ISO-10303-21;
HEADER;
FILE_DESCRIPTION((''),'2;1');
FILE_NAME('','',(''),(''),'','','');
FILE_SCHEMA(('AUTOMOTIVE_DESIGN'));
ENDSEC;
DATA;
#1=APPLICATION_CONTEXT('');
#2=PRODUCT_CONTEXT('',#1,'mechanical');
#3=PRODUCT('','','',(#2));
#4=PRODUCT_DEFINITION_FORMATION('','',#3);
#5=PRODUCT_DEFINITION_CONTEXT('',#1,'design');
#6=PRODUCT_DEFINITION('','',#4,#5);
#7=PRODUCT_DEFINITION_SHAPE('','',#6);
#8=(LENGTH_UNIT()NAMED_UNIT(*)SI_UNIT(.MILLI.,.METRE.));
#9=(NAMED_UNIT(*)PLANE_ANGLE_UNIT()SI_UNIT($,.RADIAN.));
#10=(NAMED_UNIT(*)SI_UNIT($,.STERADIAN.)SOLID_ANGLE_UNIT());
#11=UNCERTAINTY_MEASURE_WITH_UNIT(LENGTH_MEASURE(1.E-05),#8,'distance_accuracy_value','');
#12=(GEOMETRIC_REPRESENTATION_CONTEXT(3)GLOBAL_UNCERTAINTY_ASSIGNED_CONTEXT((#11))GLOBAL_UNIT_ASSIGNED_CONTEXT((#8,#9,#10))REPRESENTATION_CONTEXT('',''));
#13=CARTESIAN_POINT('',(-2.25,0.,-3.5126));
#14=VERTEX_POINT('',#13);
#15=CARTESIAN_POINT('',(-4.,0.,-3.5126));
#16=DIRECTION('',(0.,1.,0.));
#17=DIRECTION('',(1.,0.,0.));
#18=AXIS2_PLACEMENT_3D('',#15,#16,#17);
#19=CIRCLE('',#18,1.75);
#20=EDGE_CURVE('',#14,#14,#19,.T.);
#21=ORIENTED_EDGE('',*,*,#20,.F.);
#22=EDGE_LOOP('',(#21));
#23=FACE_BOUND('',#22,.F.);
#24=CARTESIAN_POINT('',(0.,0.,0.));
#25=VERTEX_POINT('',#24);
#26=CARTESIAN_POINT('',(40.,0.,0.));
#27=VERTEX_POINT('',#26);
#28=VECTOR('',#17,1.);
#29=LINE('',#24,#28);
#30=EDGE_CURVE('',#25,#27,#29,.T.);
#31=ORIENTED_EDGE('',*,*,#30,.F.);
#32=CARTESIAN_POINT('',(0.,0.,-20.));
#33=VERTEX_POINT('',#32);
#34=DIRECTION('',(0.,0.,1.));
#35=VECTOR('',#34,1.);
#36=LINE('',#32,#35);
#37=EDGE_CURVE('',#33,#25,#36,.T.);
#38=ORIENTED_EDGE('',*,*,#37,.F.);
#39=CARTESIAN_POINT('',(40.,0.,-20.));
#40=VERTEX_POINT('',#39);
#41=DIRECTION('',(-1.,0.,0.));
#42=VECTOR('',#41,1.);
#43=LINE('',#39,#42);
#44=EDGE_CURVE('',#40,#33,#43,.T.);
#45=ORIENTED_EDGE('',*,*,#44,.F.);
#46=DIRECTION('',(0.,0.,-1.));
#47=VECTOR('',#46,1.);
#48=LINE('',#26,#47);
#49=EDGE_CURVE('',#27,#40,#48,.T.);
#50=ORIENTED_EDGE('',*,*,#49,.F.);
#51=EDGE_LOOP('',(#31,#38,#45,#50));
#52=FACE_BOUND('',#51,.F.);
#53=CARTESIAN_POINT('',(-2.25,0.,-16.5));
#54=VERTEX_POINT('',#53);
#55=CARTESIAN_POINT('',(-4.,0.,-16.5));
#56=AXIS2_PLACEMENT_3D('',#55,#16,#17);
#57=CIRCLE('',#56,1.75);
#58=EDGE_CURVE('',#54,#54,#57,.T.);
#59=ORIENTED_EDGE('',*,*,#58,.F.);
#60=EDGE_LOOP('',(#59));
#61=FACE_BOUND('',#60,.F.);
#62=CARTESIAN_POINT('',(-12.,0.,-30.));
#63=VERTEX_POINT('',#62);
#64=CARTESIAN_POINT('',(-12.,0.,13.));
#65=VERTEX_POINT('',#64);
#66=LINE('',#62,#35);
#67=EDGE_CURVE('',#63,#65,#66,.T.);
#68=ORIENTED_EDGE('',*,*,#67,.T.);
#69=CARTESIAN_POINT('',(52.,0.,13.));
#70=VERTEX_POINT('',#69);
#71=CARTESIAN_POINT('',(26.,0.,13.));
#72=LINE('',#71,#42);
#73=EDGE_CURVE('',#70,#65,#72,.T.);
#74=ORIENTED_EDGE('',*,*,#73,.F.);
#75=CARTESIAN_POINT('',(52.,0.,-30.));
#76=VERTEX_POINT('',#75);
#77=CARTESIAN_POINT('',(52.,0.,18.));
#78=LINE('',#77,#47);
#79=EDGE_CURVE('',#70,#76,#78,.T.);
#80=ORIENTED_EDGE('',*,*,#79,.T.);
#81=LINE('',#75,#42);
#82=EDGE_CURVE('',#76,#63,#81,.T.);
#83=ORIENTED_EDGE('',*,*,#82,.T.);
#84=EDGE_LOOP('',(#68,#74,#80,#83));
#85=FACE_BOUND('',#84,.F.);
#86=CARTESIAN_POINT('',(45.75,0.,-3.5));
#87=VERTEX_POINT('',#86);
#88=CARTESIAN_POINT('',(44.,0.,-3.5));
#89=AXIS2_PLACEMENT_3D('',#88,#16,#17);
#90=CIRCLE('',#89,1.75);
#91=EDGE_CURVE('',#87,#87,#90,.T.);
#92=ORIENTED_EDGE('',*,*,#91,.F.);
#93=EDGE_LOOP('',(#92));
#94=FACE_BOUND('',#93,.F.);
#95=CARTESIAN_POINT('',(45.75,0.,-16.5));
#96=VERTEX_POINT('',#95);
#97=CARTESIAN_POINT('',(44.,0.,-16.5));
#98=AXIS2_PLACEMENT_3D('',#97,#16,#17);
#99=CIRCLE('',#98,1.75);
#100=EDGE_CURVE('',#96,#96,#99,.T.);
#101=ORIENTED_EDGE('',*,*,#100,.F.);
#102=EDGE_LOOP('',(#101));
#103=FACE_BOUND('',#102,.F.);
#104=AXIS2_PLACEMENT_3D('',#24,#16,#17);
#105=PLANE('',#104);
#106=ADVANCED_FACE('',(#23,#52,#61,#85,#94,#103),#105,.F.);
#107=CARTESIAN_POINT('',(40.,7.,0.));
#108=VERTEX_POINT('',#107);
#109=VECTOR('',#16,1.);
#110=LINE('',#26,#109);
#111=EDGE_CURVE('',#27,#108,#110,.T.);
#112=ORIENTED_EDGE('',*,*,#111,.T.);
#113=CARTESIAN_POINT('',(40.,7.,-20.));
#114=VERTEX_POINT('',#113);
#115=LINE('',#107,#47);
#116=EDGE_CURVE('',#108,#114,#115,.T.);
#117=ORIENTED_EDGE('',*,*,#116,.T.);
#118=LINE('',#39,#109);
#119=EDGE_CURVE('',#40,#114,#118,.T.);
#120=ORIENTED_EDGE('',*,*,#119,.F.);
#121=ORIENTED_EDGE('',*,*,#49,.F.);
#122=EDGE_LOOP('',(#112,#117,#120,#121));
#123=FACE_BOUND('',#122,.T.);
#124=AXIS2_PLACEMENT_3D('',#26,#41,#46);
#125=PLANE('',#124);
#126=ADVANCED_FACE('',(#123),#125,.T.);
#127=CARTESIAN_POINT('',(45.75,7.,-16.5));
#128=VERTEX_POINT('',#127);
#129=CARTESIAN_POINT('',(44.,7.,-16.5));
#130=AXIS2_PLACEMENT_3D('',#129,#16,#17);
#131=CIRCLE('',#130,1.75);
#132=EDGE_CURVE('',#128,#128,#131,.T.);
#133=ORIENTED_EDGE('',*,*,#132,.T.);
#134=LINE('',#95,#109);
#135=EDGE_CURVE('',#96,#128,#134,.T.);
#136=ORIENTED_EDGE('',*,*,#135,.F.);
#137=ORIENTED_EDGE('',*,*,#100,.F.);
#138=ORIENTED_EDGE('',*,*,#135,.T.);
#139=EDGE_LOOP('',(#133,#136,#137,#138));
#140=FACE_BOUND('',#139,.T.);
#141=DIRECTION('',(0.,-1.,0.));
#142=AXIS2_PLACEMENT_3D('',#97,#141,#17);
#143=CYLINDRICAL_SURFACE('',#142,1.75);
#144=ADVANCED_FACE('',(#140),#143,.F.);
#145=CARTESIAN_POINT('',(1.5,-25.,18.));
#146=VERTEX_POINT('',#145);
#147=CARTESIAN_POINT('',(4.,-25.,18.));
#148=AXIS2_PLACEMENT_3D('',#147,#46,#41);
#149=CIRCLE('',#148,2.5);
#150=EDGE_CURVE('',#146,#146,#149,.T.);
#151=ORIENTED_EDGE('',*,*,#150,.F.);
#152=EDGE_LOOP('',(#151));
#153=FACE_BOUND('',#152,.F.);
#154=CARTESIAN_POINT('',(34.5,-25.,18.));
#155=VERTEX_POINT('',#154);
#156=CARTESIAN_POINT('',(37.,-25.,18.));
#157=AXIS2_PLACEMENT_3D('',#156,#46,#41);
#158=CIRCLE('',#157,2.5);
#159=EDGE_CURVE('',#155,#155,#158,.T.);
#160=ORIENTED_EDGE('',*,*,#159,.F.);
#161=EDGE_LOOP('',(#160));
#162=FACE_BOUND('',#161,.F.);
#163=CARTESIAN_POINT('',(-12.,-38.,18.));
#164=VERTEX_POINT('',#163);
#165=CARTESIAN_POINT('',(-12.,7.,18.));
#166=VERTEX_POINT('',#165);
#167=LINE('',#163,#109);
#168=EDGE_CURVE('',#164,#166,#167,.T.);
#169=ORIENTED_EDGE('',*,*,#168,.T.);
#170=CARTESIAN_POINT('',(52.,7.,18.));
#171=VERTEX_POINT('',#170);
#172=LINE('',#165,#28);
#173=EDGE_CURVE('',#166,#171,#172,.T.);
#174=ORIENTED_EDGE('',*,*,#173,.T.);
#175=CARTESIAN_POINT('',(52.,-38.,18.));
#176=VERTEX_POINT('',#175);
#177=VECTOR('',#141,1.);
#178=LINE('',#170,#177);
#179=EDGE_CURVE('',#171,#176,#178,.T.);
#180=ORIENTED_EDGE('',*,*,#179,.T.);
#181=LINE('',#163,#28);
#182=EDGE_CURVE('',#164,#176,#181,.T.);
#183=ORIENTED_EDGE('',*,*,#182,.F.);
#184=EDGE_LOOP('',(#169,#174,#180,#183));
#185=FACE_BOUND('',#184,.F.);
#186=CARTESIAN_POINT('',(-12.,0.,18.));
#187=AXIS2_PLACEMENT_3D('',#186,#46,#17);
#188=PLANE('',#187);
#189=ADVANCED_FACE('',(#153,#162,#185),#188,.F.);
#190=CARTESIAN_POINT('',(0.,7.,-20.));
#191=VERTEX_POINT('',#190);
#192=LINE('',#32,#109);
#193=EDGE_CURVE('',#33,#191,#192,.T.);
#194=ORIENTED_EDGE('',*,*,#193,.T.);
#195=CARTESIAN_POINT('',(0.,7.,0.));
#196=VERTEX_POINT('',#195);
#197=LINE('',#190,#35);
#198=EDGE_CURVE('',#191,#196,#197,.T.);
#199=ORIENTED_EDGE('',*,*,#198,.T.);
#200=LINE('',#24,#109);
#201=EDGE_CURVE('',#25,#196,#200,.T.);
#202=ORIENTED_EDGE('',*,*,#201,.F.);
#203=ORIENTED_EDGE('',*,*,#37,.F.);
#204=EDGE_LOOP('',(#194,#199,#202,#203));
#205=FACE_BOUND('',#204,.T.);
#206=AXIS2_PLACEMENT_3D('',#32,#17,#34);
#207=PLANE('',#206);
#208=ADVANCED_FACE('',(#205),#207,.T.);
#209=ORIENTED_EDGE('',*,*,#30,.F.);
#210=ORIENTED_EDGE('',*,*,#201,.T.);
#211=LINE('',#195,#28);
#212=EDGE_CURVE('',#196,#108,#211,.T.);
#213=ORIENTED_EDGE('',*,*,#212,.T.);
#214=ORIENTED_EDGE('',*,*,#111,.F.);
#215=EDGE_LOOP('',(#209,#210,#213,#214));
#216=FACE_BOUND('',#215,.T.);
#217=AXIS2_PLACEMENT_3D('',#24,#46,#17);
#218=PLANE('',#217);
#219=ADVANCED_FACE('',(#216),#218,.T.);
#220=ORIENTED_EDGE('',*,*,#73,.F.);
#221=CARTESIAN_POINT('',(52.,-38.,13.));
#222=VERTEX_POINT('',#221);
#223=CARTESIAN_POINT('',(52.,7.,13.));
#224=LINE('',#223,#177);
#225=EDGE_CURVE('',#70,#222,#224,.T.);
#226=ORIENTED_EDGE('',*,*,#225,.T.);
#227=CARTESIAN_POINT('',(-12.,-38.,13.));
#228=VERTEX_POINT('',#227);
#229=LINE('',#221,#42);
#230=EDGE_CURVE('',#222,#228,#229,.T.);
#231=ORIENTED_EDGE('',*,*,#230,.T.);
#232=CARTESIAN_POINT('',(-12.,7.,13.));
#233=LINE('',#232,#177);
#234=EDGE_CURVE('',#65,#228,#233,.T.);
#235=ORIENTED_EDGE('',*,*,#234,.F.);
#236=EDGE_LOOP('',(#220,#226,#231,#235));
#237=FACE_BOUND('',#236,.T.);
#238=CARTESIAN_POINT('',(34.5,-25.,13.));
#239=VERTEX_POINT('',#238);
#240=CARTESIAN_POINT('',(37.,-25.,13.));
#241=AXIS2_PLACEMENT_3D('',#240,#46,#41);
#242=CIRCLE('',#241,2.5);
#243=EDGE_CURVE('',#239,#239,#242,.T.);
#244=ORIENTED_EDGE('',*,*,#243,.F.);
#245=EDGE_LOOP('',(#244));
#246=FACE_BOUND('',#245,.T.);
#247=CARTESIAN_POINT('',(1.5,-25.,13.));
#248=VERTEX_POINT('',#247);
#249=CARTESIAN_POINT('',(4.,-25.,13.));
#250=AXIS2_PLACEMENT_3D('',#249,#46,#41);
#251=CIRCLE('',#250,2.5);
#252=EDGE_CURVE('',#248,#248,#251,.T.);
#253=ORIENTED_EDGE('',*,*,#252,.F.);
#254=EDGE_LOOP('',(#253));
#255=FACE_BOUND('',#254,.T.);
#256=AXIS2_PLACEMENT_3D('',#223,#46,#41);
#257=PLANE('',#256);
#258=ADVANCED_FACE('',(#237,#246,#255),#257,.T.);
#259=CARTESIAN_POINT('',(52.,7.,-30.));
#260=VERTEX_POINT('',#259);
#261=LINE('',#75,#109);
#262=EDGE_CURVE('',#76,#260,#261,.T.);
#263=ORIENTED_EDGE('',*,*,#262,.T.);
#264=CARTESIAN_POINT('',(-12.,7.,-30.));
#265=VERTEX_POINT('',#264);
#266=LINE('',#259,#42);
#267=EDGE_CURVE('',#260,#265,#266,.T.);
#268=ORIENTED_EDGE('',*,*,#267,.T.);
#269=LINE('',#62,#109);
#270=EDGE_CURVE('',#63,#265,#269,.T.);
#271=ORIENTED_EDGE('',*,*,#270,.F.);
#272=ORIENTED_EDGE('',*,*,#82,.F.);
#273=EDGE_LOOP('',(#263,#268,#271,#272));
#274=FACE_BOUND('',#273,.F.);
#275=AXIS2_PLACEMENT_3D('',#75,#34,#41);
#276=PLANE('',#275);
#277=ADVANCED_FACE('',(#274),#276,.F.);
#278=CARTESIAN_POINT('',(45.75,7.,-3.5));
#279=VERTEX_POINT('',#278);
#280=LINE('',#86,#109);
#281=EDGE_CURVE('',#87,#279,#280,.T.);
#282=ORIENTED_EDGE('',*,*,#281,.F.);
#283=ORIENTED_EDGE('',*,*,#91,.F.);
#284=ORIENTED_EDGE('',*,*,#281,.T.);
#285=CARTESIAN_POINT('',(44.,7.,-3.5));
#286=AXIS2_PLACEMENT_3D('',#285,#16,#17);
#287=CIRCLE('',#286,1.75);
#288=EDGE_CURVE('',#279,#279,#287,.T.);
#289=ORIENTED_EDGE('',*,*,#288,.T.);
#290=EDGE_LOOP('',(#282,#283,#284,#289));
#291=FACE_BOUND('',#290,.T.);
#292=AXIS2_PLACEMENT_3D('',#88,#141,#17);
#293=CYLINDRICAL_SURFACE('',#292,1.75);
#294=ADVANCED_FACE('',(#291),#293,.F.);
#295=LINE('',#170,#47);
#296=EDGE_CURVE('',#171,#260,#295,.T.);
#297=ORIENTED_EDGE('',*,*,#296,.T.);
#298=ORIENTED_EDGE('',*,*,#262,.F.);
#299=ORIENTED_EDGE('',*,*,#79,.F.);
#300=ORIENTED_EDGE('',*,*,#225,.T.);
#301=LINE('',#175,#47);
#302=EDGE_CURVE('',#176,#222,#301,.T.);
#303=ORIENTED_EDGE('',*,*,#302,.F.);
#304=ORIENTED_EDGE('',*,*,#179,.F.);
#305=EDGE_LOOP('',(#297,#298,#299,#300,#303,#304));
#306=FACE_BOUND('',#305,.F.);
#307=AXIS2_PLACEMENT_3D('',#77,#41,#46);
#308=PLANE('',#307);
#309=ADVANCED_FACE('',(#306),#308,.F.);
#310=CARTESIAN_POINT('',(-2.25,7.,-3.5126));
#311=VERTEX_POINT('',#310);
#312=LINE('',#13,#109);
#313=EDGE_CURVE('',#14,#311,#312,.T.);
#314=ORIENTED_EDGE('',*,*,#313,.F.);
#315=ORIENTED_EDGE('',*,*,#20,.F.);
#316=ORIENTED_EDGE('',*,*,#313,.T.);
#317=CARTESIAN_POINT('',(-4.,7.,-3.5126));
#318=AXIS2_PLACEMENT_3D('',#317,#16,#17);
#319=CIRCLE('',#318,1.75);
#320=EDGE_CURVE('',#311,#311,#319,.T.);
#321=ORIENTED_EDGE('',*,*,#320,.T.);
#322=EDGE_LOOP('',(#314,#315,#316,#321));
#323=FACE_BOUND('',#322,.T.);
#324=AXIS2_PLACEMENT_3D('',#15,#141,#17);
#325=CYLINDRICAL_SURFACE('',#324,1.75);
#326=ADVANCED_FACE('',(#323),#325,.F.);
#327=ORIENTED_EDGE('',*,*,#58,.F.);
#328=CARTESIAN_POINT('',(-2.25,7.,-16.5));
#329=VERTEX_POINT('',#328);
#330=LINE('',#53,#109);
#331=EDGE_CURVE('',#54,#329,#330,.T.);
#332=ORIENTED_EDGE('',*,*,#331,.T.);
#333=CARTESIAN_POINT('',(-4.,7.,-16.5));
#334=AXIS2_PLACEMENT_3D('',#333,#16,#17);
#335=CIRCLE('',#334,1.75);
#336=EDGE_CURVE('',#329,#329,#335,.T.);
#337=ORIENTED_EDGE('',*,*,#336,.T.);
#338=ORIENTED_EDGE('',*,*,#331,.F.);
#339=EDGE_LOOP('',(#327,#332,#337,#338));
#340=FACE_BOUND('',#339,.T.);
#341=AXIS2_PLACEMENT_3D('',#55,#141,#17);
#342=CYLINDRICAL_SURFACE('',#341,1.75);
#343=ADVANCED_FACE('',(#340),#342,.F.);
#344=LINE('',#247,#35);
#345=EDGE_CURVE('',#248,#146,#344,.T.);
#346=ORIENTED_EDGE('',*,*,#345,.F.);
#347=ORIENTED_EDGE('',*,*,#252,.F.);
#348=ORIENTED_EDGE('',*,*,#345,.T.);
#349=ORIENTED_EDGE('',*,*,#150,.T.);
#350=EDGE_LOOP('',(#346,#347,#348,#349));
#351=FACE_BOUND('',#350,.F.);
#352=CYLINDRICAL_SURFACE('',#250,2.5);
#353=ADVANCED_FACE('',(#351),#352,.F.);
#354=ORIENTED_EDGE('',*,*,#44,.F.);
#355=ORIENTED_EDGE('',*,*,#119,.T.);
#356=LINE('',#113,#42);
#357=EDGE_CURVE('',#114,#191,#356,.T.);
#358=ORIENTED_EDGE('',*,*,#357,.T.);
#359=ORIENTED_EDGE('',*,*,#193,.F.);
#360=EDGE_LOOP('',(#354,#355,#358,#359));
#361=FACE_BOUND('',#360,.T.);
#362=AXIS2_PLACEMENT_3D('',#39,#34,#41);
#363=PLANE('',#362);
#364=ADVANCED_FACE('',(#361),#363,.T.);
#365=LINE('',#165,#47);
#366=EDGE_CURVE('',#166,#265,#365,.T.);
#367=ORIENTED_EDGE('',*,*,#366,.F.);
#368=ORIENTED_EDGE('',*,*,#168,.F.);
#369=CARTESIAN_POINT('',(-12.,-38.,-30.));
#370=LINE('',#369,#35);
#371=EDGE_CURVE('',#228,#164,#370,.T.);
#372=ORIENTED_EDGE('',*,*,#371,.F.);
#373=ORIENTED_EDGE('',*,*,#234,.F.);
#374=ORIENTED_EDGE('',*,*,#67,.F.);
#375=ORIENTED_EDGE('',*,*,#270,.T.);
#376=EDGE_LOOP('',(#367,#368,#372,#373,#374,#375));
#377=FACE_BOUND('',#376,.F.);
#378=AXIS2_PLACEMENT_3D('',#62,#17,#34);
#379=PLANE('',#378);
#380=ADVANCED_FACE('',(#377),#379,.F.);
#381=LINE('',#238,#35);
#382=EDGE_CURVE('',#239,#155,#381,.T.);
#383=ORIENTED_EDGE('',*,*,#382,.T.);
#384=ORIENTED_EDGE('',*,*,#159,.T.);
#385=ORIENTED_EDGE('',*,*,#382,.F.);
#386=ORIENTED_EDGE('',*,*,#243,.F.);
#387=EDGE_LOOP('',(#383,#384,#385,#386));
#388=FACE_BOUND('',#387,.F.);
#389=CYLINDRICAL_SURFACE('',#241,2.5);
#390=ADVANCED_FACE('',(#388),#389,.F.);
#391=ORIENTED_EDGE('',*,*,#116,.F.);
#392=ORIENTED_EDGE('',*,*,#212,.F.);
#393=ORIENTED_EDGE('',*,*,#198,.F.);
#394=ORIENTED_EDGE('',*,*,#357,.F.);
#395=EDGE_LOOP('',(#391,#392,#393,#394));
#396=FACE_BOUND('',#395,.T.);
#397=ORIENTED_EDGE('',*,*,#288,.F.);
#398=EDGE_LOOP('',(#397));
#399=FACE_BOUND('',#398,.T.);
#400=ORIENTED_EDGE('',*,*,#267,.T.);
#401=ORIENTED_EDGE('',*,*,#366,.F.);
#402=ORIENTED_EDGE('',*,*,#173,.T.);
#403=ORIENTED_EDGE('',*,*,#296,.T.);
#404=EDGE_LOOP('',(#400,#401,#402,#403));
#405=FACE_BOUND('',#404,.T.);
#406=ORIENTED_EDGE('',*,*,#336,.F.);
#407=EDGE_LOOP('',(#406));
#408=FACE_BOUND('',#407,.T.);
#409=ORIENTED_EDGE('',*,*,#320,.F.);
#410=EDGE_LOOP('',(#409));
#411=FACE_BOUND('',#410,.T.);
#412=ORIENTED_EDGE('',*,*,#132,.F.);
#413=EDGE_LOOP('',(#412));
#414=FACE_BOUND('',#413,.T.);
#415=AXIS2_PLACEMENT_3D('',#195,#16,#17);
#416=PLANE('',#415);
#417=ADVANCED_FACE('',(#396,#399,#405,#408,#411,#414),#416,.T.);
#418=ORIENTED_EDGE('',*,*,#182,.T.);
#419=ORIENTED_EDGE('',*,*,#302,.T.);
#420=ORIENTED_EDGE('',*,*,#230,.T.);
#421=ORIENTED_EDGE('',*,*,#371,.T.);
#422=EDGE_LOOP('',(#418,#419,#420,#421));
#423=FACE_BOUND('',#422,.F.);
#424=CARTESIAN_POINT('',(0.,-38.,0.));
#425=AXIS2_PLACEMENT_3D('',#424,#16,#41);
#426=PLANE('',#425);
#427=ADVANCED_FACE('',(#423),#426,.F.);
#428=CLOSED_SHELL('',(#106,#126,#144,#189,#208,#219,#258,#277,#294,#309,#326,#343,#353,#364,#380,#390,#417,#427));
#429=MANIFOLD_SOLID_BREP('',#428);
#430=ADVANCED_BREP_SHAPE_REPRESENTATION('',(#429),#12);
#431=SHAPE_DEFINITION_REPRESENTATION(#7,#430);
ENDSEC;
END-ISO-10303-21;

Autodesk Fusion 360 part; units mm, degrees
sketch "Sketch1" plane through (0, 0, 0) normal (0, 1, 0) x (1, 0, 0)
sketch "Sketch2" plane through (0, 0, 0) normal (0, 1, 0) x (1, 0, 0)
  line L0 (0, 0) -> (40, 0)
  line L1 (40, 0) -> (40, 20)
  line L2 (40, 20) -> (0, 20)
  line L3 (0, 20) -> (0, 0)
  line L4 (-12, -18) -> (52, -18)
  line L5 (52, -18) -> (52, 30)
  line L6 (52, 30) -> (-12, 30)
  line L7 (-12, 30) -> (-12, -18)
  line L8 (44, 20) -> (44, 16.5) construction
  line L9 (44, 0) -> (44, 3.5) construction
  line L10 (40, 16.5) -> (44, 16.5) construction
  line L11 (40, 3.5) -> (44, 3.5) construction
  circle A0 centre (44, 16.5) radius 1.75
  circle A1 centre (44, 3.5) radius 1.75
  line L12 (-4, 20) -> (-4, 16.5) construction
  line L13 (0, 16.5) -> (-4, 16.5) construction
  line L14 (0, 3.5142) -> (-4, 3.5126) construction
  line L15 (-4, 0.0126) -> (-4, 3.5126) construction
  circle A2 centre (-4, 16.5) radius 1.75
  circle A3 centre (-4, 3.5126) radius 1.75
  dimension "d1" = 40
  dimension "d2" = 20
  dimension "d8" = 18
  dimension "d9" = 10
  dimension "d10" = 3.5
  dimension "d11" = 3.5
  dimension "d12" = 4
  dimension "d13" = 4
  dimension "d14" = 3.5
  dimension "d15" = 3.5
  dimension "d16" = 3.5
  dimension "d17" = 4
  dimension "d18" = 4
  dimension "d19" = 3.5
  dimension "d20" = 3.5
  dimension "d21" = 3.5
  dimension "d22" = 12
  dimension "d23" = 12
extrude "Extrude1" add sketch "Sketch2" along normal blind 7
sketch "Sketch3" plane through (0, 7, 0) normal (0, 1, 0) x (-1, 0, 0)
  circle A0 centre (4, -3.5126) radius 1.75
  circle A1 centre (-44, -16.5) radius 1.75
  circle A2 centre (4, -16.5) radius 1.75
  circle A3 centre (-44, -3.5) radius 1.75
  line L0 (0, 0) -> (0, -20)
  line L1 (0, -20) -> (-40, -20)
  line L2 (-40, -20) -> (-40, 0)
  line L3 (-40, 0) -> (0, 0)
  line L4 (12, -30) -> (12, 18)
  line L5 (12, 18) -> (-52, 18)
  line L6 (-52, 18) -> (-52, -30)
  line L7 (-52, -30) -> (12, -30)
  line L8 (12, 18) -> (-52, 18)
  line L9 (-52, 18) -> (-52, 13)
  line L10 (-52, 13) -> (12, 13)
  line L11 (12, 13) -> (12, 18)
  dimension "d26" = 5
extrude "Extrude2" add sketch "Sketch3" against normal blind 45 contours L4 L5 L6 L8 L9 L10 L11
sketch "Sketch4" plane through (0, 0, 13) normal (0, 0, -1) x (-1, 0, 0)
  line L0 (12, 0) -> (-52, 0)
  line L1 (-52, 0) -> (-52, -38)
  line L2 (-52, -38) -> (12, -38)
  line L3 (12, -38) -> (12, 0)
  circle A0 centre (-37, -25) radius 2.5
  circle A1 centre (-4, -25) radius 2.5
  dimension "d29" = 5
  dimension "d30" = 5
extrude "Extrude3" cut sketch "Sketch4" against normal blind 10 contours A0 | A1
